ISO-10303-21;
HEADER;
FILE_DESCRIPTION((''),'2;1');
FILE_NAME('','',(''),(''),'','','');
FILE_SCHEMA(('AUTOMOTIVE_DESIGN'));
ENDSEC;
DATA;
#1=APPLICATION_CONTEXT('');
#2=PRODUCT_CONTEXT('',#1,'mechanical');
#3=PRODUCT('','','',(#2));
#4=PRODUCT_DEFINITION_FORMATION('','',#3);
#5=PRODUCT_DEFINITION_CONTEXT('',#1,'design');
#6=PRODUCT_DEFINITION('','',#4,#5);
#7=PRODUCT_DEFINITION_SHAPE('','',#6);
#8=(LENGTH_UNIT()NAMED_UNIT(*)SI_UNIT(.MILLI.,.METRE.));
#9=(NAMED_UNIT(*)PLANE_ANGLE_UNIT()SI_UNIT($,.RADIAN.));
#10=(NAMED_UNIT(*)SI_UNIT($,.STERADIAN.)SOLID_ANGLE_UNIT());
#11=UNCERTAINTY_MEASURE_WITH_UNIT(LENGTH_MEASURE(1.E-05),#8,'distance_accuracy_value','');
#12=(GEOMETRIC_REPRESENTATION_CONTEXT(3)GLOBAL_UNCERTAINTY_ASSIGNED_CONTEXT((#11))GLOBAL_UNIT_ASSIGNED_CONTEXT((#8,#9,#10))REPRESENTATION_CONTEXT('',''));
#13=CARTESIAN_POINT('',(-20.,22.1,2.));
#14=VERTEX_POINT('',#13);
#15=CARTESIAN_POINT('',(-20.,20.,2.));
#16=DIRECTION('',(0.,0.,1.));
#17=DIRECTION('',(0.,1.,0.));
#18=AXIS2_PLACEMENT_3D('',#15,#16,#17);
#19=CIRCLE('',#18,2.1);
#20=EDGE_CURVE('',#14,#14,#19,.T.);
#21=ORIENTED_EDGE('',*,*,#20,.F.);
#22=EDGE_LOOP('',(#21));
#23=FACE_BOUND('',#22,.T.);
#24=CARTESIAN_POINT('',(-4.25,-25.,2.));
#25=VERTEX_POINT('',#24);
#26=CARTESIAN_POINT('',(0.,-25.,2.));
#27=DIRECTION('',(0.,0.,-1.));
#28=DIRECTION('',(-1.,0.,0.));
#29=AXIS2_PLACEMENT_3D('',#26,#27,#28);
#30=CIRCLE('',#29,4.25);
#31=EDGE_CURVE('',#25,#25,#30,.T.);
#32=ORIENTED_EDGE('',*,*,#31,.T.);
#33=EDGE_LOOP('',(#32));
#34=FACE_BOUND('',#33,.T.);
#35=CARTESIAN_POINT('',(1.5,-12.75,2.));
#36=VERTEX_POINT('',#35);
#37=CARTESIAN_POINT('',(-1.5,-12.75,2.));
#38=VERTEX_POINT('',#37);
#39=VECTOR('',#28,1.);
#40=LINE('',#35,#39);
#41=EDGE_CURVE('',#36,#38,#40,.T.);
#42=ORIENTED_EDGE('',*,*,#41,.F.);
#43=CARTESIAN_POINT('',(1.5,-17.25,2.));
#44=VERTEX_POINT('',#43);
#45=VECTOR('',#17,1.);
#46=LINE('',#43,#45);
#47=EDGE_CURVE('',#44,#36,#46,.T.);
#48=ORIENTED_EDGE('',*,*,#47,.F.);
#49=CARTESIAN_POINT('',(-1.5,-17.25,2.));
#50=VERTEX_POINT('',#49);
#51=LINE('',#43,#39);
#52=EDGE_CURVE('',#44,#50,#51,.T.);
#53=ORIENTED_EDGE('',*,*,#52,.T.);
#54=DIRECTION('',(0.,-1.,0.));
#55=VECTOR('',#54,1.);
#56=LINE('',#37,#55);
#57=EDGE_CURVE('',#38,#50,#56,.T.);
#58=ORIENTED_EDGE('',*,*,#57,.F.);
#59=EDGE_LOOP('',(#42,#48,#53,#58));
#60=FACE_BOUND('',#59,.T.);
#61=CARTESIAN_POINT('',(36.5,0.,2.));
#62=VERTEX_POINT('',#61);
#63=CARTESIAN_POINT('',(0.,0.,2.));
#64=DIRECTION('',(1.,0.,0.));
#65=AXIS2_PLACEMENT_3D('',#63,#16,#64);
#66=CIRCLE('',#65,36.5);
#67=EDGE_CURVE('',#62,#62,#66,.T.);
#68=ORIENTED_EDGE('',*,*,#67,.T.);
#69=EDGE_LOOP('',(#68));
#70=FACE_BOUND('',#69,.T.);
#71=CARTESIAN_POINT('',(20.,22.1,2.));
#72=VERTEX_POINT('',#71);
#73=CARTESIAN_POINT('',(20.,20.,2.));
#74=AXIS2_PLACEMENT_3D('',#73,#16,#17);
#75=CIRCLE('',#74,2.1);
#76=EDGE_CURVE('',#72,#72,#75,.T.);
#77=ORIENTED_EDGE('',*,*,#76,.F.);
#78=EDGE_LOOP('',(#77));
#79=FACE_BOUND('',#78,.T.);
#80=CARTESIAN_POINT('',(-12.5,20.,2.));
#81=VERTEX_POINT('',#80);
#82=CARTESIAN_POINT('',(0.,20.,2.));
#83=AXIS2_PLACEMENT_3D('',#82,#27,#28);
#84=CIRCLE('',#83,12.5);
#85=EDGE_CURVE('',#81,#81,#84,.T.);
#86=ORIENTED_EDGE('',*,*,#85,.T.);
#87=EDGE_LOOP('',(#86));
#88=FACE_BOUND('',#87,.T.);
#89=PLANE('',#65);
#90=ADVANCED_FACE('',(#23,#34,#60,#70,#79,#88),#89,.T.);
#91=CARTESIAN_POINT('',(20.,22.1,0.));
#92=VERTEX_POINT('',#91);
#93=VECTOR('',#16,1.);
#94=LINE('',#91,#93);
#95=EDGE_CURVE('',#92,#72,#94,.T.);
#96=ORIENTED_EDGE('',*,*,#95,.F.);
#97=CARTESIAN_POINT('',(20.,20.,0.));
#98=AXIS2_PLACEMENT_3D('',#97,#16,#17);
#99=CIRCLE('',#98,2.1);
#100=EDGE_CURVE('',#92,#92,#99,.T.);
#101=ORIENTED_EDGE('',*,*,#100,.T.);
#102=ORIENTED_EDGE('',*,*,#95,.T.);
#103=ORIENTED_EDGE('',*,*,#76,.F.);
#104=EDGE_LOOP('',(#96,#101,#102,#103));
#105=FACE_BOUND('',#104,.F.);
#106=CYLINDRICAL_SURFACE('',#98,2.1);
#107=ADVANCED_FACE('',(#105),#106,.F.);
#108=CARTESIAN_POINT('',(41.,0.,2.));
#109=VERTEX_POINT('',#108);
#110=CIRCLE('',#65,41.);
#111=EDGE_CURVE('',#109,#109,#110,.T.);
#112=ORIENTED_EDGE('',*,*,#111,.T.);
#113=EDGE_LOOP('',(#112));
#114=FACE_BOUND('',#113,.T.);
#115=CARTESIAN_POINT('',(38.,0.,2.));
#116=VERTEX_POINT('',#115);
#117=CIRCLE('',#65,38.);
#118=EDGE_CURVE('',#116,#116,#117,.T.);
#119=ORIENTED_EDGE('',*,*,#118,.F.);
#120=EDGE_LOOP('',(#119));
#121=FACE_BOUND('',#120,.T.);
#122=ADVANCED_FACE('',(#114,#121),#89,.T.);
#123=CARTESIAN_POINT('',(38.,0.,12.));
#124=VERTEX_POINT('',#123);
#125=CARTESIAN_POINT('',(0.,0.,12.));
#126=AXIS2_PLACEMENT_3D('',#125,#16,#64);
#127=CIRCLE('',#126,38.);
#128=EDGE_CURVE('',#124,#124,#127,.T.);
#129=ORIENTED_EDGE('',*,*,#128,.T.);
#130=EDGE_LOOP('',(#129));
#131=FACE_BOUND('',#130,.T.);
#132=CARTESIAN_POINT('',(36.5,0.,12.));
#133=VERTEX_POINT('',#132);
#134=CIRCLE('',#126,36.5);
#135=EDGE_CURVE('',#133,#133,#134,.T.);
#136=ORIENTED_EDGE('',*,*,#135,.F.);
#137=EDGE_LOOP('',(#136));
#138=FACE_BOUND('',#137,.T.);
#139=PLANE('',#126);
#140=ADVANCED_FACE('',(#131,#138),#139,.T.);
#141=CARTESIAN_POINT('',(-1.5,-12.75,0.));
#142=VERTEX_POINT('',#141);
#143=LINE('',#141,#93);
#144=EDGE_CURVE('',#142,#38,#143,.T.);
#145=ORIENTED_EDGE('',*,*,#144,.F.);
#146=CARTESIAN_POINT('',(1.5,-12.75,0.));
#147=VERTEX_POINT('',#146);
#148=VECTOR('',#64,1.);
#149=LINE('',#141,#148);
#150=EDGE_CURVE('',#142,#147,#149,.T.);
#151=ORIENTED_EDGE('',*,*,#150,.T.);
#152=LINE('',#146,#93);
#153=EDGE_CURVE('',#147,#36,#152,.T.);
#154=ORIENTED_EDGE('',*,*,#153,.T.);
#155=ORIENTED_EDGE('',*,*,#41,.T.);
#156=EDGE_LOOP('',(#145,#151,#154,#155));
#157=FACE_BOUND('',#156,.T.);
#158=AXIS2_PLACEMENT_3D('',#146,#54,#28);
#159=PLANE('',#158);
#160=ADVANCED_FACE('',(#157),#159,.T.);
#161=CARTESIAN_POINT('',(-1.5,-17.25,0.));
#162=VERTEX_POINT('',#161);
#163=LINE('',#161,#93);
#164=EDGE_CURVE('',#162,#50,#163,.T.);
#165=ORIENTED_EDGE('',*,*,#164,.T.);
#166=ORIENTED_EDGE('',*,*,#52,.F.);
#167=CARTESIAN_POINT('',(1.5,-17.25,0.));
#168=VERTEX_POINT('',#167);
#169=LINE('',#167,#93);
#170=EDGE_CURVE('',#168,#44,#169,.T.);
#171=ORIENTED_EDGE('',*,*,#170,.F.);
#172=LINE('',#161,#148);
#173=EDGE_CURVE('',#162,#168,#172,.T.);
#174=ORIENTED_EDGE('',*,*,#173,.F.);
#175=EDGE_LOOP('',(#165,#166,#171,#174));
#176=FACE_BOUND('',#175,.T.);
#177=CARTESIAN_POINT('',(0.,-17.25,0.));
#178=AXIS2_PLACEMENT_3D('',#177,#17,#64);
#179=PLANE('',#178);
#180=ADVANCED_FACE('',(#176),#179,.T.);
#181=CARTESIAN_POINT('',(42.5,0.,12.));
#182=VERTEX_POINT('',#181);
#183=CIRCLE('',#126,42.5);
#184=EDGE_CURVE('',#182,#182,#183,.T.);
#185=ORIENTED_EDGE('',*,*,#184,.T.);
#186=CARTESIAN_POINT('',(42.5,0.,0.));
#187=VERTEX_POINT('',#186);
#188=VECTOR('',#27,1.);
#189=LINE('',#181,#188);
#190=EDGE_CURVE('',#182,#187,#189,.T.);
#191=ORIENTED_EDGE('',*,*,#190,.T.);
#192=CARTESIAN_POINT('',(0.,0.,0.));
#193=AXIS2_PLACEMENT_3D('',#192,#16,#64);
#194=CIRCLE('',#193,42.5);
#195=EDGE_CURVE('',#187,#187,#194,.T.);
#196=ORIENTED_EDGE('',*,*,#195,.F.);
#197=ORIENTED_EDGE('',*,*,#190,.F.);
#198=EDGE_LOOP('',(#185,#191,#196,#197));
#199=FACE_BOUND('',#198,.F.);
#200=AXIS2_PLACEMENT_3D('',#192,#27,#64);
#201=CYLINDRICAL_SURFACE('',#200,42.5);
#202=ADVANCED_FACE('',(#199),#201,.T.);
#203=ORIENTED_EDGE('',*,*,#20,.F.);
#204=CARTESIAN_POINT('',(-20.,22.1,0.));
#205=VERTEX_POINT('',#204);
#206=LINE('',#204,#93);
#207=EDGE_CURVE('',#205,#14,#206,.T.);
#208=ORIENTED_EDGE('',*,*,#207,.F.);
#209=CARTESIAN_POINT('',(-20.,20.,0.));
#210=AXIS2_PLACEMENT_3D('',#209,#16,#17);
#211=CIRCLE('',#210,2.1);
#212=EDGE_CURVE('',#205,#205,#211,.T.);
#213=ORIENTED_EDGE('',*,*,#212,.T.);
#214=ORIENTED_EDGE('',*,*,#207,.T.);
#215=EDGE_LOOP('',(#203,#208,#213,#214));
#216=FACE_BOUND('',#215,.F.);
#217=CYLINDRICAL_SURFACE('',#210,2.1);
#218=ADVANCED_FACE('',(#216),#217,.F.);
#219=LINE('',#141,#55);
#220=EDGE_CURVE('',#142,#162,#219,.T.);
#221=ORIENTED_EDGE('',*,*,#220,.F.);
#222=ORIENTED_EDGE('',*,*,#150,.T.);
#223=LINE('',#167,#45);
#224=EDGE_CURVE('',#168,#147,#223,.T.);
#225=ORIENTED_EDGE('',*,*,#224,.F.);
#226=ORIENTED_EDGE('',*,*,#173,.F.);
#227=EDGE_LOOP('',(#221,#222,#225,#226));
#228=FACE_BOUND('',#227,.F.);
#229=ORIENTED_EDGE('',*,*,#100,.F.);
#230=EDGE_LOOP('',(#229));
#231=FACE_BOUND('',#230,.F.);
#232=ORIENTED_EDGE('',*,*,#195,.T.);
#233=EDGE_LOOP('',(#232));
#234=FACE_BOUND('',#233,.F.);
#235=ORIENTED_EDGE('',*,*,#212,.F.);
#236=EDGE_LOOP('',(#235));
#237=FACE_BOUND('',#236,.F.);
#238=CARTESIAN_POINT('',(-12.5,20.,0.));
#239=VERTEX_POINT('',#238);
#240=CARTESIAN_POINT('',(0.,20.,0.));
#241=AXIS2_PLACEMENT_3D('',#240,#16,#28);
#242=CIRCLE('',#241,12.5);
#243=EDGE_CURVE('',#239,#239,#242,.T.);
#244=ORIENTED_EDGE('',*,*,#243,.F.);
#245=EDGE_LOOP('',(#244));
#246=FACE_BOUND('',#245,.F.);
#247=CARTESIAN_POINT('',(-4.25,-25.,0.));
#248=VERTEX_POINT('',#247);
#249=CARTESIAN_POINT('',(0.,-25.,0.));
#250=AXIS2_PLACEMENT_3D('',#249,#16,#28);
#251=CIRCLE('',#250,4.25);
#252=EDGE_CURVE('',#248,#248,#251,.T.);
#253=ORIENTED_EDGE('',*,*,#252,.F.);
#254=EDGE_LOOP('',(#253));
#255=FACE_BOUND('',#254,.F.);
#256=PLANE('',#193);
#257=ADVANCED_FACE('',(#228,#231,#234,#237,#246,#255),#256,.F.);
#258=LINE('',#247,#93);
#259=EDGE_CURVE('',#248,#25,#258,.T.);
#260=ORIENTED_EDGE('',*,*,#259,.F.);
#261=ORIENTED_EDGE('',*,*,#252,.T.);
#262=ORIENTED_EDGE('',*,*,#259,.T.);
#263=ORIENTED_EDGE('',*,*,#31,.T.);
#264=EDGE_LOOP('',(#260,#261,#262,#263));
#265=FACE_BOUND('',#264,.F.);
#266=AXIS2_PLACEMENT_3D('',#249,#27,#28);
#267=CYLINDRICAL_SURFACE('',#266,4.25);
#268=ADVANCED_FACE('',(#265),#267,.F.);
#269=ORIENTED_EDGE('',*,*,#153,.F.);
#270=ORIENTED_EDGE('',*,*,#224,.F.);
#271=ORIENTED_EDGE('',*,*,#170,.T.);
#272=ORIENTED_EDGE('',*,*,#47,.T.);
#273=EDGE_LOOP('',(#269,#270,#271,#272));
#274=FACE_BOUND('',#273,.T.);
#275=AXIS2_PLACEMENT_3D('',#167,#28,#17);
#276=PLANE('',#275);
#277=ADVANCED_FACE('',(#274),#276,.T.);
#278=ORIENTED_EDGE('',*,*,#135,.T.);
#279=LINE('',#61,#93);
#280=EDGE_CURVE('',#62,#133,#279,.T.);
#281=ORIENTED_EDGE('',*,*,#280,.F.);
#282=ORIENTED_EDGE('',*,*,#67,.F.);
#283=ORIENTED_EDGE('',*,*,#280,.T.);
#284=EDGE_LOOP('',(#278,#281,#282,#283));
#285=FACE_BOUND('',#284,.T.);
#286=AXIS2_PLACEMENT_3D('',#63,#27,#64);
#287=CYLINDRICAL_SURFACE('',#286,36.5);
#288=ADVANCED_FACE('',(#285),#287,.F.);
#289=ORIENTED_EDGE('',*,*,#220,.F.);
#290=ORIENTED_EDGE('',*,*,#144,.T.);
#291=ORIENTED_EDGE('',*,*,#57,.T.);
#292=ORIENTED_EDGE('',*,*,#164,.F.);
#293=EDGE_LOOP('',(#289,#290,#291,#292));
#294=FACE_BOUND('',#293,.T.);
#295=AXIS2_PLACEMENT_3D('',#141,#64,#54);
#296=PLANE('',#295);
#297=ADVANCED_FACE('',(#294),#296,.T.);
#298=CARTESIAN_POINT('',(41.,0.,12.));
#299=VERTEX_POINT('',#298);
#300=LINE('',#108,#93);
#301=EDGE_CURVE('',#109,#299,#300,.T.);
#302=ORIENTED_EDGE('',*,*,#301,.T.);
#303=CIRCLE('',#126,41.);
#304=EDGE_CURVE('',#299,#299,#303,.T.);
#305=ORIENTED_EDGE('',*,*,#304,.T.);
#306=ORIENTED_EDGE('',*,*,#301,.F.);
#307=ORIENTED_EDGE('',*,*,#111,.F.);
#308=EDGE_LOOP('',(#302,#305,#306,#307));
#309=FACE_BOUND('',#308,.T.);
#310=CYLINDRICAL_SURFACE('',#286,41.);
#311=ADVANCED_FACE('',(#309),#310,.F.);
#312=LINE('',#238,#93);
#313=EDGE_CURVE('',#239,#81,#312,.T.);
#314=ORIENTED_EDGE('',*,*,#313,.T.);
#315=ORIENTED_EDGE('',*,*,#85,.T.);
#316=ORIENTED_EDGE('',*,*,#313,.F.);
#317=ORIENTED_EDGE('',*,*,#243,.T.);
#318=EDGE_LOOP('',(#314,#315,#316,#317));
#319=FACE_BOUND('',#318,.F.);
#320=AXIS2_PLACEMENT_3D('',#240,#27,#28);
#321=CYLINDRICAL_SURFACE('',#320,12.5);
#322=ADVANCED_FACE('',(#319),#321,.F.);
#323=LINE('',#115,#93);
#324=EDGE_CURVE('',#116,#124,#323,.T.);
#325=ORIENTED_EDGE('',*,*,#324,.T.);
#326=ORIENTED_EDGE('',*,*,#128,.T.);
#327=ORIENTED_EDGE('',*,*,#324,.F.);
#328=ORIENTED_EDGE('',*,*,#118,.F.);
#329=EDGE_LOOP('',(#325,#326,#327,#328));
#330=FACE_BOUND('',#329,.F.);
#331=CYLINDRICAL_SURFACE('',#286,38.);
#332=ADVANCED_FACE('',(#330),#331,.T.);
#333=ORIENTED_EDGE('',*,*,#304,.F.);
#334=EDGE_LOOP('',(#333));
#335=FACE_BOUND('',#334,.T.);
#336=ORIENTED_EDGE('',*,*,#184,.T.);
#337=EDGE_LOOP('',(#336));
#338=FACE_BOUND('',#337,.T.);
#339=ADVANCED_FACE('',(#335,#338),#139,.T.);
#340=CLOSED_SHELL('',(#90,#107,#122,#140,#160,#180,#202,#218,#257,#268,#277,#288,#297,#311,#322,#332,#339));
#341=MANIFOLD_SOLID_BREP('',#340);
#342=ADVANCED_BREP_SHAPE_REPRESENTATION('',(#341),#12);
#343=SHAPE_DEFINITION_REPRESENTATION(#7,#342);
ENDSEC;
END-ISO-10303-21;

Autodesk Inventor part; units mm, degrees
sketch "Sketch1" plane through (0, 0, 0) normal (0, 0, 1) x (1, 0, 0)
  line L0 (0, 2.8582) -> (0, -2.8582) construction
  line L1 (-5.7775, 0) -> (5.7775, 0) construction
  circle A0 centre (0, 0) radius 42.5
  dimension "d0" = 85
extrude "Extrusion1" add sketch "Sketch1" along normal blind 2
sketch "Sketch2" plane through (0, 0, 2) normal (0, 0, 1) x (1, 0, 0)
  circle A0 centre (0, 0) radius 41
  circle A1 centre (0, 0) radius 38
  circle A2 centre (0, 0) radius 42.5 projected
  circle A3 centre (0, 0) radius 36.5
  dimension "d3" = 82
  dimension "d4" = 76
  dimension "d5" = 73
extrude "Extrusion2" add sketch "Sketch2" along normal blind 10
sketch "Sketch3" plane through (0, 0, 0) normal (0, 0, -1) x (-1, 0, 0)
  circle A0 centre (0, 0) radius 42.5 projected
  circle A1 centre (0, -25) radius 4.25
  line L0 (-59.5, 0) -> (59.5, 0) projected
  line L1 (1.5, -17.25) -> (-1.5, -17.25)
  line L2 (-1.5, -17.25) -> (-1.5, -12.75)
  line L3 (-1.5, -12.75) -> (1.5, -12.75)
  line L4 (1.5, -12.75) -> (1.5, -17.25)
  line L5 (1.5, -17.25) -> (-1.5, -12.75) construction
  line L6 (-1.5, -17.25) -> (1.5, -12.75) construction
  line L7 (0, -59.5) -> (0, 59.5) projected
  circle A2 centre (0, 20) radius 12.5
  point P0 (0, -15)
  dimension "d8" = 8.5
  dimension "d9" = 25
  dimension "d11" = 3
  dimension "d12" = 4.5
  dimension "d13" = 15
  dimension "d14" = 25
  dimension "d15" = 20
extrude "Extrusion3" cut sketch "Sketch3" against normal up to surface (2 mm away) contours A2 L7 | L7 A2 | L7 A1 | A1 L7 | L7 L1 L2 L3 | L3 L4 L1 L7
sketch "Sketch4" plane through (0, 0, 0) normal (0, 0, -1) x (-1, 0, 0)
  circle A0 centre (0, -25) radius 4.25 projected
  circle A1 centre (0, 20) radius 12.5 projected
  line L0 (1.5, -12.75) -> (-1.5, -12.75) projected
  line L1 (-1.5, -12.75) -> (-1.5, -17.25) projected
  line L2 (-1.5, -17.25) -> (1.5, -17.25) projected
  line L3 (1.5, -17.25) -> (1.5, -12.75) projected
  circle A2 centre (0, 0) radius 42.5 projected
  line L4 (-59.5, 0) -> (59.5, 0) projected
  point P0 (-20, 20)
  point P1 (20, 20)
  dimension "d18" = 20
  dimension "d19" = 20
  dimension "d20" = 20
  dimension "d21" = 20
hole "Hole1" at (20, 20, 0) at (-20, 20, 0) direction (0, 0, 1) diameter 4.2 end through all
properties part number "Reservoir Adapter" material "S235"
